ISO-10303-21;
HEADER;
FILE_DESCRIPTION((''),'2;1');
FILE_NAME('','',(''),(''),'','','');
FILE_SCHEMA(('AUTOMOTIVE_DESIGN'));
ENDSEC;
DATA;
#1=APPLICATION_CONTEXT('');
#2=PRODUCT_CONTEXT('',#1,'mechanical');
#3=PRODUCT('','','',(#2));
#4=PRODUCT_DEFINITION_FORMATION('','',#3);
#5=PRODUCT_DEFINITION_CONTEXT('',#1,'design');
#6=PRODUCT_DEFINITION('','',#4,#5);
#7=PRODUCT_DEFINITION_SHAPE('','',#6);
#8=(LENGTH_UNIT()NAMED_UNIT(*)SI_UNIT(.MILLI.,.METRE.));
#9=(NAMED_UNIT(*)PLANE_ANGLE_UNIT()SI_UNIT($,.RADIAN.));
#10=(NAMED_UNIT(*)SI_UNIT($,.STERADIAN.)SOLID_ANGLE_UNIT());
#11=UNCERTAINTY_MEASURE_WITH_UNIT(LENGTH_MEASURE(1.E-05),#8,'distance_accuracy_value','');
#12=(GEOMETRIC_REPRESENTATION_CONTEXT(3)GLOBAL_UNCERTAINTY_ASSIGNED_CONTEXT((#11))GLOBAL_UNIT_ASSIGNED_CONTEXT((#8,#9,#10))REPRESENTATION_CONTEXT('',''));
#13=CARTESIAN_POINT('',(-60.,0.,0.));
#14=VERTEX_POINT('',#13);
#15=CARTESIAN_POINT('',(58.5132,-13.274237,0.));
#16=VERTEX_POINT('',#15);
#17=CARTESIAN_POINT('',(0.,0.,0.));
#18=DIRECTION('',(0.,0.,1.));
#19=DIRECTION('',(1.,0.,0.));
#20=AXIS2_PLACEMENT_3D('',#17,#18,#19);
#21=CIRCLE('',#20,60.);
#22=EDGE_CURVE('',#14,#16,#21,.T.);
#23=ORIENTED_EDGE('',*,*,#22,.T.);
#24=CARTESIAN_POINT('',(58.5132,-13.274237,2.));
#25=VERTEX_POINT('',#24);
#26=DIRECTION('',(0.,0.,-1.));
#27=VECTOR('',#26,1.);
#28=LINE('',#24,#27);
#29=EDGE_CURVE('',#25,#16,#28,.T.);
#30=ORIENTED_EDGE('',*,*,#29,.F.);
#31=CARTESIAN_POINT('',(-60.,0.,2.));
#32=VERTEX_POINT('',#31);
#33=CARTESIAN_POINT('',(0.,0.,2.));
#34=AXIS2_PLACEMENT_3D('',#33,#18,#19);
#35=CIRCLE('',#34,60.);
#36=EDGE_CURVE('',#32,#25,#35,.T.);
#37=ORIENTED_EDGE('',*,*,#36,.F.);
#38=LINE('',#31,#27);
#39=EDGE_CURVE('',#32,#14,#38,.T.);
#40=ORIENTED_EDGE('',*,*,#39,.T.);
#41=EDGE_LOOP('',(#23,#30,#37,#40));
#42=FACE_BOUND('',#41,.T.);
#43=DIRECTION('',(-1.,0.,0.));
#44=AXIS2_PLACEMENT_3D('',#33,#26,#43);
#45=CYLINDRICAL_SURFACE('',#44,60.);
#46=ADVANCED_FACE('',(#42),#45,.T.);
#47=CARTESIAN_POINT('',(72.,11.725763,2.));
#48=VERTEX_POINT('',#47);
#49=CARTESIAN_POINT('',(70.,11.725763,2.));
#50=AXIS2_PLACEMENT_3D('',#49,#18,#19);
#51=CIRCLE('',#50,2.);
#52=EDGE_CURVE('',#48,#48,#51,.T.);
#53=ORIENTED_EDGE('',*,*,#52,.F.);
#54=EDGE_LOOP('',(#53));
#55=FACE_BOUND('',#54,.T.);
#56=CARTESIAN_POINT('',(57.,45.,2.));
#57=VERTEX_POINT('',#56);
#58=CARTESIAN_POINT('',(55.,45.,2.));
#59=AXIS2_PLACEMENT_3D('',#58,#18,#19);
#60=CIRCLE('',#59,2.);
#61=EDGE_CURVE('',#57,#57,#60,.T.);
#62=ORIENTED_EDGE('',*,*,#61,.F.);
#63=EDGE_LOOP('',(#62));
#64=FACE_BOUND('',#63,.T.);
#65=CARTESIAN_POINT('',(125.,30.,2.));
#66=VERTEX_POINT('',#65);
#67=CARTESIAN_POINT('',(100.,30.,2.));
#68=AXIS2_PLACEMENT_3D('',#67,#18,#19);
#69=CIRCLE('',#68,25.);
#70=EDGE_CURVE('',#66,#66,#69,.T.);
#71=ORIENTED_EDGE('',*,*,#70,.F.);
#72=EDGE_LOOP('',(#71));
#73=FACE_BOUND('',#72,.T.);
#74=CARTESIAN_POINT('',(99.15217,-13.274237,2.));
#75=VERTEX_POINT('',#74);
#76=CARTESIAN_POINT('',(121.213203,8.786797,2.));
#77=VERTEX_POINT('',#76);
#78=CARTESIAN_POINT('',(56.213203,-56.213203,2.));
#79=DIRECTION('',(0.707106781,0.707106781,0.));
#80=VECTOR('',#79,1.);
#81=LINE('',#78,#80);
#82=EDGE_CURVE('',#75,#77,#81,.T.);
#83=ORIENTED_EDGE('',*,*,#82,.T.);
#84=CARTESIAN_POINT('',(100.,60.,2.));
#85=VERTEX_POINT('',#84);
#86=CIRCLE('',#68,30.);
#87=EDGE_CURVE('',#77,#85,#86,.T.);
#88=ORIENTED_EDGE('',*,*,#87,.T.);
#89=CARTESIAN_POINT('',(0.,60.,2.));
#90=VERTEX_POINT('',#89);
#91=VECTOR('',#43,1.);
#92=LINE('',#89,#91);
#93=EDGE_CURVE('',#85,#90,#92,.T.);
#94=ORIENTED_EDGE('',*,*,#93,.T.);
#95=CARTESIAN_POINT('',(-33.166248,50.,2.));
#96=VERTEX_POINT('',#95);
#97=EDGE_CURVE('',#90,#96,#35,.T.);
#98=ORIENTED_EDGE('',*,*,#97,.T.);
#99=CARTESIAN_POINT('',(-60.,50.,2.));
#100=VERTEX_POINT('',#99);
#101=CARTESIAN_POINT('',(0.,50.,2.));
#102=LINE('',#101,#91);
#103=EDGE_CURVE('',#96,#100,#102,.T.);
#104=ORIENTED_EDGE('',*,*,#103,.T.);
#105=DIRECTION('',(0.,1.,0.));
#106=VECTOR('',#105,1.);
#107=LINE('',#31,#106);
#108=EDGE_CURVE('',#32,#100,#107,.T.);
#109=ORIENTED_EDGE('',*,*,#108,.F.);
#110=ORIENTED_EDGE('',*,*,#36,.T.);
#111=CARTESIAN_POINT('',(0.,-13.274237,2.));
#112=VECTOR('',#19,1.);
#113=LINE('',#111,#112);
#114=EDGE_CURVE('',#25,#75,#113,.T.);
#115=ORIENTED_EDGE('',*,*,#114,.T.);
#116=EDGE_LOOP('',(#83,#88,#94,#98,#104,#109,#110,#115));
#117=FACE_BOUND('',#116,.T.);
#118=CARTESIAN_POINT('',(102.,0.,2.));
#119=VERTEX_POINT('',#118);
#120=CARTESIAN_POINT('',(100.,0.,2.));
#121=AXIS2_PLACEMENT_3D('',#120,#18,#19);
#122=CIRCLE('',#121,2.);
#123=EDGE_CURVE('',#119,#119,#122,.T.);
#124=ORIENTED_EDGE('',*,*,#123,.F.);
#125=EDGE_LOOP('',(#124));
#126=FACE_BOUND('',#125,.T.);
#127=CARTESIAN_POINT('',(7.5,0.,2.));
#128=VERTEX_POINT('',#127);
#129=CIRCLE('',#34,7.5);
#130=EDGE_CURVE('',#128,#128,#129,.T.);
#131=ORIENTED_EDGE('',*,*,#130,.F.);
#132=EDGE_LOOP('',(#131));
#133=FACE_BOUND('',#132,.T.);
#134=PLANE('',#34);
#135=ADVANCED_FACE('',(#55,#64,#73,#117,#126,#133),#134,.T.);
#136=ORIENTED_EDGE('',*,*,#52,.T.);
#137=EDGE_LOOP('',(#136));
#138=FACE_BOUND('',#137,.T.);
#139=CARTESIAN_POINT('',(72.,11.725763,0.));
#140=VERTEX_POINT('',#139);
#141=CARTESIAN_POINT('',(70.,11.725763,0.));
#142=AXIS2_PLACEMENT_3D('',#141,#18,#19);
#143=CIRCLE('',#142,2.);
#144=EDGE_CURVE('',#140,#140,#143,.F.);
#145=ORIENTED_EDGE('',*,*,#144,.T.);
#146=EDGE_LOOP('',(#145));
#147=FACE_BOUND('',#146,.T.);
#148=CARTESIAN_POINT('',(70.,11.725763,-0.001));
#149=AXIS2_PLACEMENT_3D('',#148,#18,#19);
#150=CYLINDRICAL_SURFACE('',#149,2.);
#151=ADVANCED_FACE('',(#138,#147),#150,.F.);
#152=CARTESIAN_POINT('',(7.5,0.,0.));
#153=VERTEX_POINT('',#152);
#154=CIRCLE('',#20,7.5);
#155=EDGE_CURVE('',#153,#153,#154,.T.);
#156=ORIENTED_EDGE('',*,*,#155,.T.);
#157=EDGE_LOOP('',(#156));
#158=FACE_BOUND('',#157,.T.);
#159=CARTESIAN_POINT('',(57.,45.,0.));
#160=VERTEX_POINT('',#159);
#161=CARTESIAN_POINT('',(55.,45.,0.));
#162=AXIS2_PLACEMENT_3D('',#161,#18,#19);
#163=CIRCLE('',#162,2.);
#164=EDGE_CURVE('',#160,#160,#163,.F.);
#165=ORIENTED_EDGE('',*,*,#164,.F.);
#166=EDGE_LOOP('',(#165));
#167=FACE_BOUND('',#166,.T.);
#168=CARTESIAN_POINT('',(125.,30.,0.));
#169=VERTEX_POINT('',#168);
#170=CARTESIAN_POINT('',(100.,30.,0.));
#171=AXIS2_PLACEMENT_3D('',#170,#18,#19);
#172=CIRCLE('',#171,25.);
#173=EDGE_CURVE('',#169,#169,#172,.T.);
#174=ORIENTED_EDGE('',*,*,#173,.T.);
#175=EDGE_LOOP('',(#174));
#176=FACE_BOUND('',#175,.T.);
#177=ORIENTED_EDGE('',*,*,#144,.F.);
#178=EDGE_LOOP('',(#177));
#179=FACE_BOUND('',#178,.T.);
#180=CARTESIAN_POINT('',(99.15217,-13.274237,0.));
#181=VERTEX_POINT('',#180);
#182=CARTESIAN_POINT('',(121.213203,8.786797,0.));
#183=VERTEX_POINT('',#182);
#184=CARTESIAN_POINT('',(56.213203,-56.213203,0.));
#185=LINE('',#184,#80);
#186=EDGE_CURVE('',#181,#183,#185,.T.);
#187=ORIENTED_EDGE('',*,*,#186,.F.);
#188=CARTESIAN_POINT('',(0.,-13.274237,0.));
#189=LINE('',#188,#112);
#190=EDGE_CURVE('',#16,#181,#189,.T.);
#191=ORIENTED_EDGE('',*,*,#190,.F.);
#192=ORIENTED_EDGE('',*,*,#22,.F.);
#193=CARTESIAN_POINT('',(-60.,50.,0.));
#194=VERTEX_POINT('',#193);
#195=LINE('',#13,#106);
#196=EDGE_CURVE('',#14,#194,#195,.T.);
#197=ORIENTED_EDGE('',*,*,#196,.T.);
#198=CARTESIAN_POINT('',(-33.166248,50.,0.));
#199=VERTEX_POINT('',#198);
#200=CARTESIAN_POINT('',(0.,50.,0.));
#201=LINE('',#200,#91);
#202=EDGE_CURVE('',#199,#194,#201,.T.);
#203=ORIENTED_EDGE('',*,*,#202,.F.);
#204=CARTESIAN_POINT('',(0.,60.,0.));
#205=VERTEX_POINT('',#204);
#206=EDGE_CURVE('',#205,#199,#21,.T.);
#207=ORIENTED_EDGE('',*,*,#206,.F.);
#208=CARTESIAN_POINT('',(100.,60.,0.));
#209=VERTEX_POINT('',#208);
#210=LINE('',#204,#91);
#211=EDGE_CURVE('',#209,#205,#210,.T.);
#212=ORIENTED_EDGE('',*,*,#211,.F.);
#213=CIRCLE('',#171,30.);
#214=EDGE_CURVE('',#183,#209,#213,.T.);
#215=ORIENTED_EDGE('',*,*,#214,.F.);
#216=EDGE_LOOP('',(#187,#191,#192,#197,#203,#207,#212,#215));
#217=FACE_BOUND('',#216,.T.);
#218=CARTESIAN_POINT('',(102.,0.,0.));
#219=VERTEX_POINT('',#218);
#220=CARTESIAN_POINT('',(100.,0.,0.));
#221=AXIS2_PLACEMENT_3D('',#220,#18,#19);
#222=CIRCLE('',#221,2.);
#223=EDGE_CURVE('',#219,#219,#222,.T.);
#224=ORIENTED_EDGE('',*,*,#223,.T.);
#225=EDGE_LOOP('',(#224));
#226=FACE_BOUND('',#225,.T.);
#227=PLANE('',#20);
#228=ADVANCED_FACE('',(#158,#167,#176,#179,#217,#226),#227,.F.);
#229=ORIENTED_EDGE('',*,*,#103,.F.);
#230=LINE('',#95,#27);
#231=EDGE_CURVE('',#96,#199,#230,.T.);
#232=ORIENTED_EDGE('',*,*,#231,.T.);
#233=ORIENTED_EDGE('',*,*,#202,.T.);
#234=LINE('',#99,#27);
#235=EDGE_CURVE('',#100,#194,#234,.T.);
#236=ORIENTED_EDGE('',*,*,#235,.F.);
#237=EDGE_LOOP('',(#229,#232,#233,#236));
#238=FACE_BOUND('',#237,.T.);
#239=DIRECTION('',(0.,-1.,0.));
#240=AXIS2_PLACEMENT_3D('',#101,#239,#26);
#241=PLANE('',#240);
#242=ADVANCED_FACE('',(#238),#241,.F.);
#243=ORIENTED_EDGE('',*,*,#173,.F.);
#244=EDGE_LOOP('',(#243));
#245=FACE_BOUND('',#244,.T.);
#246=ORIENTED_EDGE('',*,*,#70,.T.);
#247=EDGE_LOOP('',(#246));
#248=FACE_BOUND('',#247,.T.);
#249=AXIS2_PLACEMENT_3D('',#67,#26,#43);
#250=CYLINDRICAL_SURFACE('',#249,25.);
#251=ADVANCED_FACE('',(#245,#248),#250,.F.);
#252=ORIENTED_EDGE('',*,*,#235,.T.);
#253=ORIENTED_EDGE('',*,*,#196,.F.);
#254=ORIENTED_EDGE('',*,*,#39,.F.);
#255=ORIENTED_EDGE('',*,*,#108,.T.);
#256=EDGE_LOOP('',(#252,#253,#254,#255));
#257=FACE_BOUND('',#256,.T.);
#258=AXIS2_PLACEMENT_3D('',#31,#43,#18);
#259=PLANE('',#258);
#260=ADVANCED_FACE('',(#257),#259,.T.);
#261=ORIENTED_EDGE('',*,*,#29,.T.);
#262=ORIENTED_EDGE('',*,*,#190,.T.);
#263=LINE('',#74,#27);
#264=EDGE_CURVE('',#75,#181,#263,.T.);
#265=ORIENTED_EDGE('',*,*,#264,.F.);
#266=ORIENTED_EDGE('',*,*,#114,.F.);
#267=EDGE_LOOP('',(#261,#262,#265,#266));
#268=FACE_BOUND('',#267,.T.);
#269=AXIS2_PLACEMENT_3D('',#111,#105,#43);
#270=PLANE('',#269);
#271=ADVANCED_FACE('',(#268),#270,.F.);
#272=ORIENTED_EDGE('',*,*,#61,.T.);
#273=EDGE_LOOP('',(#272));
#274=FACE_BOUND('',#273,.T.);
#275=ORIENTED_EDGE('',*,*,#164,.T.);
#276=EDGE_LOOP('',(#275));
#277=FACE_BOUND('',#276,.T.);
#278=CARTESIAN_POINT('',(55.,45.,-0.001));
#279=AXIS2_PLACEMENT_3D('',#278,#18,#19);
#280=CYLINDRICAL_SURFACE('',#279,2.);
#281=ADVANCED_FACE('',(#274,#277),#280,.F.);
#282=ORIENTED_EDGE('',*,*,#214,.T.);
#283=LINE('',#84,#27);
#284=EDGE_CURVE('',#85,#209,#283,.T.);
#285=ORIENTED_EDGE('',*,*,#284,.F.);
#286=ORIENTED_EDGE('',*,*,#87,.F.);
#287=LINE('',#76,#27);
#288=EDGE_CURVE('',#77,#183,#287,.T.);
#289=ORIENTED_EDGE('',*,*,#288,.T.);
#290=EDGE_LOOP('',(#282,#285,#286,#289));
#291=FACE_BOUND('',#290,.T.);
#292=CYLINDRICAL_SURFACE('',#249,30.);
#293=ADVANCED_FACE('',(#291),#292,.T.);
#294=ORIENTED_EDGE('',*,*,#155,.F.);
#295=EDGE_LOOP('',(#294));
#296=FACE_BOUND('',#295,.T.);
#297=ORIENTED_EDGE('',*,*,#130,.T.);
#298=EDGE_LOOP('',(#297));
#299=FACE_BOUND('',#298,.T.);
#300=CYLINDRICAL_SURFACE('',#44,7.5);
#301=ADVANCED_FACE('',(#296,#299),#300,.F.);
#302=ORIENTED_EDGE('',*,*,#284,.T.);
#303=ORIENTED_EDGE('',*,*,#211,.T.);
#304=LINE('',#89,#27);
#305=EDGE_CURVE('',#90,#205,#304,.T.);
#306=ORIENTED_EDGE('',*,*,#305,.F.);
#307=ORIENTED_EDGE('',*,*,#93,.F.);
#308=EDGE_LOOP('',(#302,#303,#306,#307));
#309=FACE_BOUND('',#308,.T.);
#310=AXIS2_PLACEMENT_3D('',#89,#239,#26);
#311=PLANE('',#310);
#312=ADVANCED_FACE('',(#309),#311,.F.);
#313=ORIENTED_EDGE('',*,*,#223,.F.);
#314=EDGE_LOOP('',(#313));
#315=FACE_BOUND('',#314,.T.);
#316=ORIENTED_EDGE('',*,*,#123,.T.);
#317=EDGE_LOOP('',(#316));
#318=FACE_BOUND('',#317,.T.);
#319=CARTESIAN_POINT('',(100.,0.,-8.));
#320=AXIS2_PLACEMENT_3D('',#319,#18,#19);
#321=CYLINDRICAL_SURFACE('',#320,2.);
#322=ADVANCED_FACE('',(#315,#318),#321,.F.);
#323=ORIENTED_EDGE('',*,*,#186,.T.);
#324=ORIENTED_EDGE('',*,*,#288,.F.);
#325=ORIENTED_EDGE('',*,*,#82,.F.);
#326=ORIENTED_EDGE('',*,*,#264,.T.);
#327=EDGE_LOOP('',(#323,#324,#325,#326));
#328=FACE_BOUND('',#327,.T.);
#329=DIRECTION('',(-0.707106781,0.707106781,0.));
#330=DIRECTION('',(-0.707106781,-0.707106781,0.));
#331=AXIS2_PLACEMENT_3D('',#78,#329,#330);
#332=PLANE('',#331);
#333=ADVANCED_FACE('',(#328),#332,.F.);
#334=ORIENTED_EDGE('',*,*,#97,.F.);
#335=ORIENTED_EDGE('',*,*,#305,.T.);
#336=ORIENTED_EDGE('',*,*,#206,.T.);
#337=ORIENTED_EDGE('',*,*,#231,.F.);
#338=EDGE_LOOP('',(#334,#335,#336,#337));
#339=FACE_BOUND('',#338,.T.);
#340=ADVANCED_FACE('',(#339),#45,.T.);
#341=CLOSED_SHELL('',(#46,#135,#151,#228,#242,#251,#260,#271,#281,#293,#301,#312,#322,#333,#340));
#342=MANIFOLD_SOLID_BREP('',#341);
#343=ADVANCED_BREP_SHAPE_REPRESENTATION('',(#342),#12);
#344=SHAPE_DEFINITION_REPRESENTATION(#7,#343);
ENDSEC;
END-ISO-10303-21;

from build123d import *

# Parameters (mm, degrees)
SKETCH1_R           = 7.5
SKETCH1_R_2         = 25
BOSS_EXTRUDE1_DEPTH = 2
CUT_EXTRUDE1_REACH  = 145.192
SKETCH2_R           = 2
SKETCH3_R           = 2
CUT_EXTRUDE2_DEPTH  = 10


with BuildPart() as part:
    # Sketch1 → Boss-Extrude1 (new body)
    # profile 1 of 2: a face of its own
    with BuildSketch(Plane.XY):
        with BuildLine():
            ThreePointArc((-60, 0), (-52.867640737, 28.372743309), (-33.166247904, 50))
            Line((-33.166247904, 50), (-60, 50))
            Line((-60, 50), (-60, 0))
        make_face()
    # profile 2 of 2: a face of its own
    with BuildSketch(Plane.XY):
        with BuildLine():
            ThreePointArc((0, 60), (-17.320508076, 57.445626465), (-33.166247904, 50))
            ThreePointArc((-33.166247904, 50), (-52.867640737, 28.372743309), (-60, 0))
            ThreePointArc((-60, 0), (-6.678621673, -59.627141576), (58.513200418, -13.274237334))
            Line((58.513200418, -13.274237334), (99.152169538, -13.274237334))
            Line((99.152169538, -13.274237334), (121.213203436, 8.786796564))
            ThreePointArc((121.213203436, 8.786796564), (127.716385975, 41.480502971), (100, 60))
            Line((100, 60), (0, 60))
        make_face()
        Circle(SKETCH1_R, mode=Mode.SUBTRACT)
        with Locations((100, 30)):
            Circle(SKETCH1_R_2, mode=Mode.SUBTRACT)
    extrude(amount=BOSS_EXTRUDE1_DEPTH)

    # Sketch2 → Cut-Extrude1 (cut, up to next)
    with BuildSketch(Plane.XY.offset(2), mode=Mode.PRIVATE) as cut_extrude1_sk1:
        with Locations((55, 45)):
            Circle(SKETCH2_R)
    cut_extrude1_tool1 = extrude(cut_extrude1_sk1.sketch, amount=-CUT_EXTRUDE1_REACH, mode=Mode.PRIVATE) & part.part
    # Sketch2 → Cut-Extrude1 (cut, up to next)
    with BuildSketch(Plane.XY.offset(2), mode=Mode.PRIVATE) as cut_extrude1_sk2:
        with Locations((70, 11.725762666)):
            Circle(SKETCH2_R)
    cut_extrude1_tool2 = extrude(cut_extrude1_sk2.sketch, amount=-CUT_EXTRUDE1_REACH, mode=Mode.PRIVATE) & part.part
    add(cut_extrude1_tool1.solids().sort_by_distance((55, 45, 2))[0], mode=Mode.SUBTRACT)
    add(cut_extrude1_tool2.solids().sort_by_distance((70, 11.725763, 2))[0], mode=Mode.SUBTRACT)

    # Sketch3 → Cut-Extrude2 (cut)
    with BuildSketch(Plane.XY.offset(2)):
        with Locations((100, 0)):
            Circle(SKETCH3_R)
    extrude(amount=-CUT_EXTRUDE2_DEPTH, mode=Mode.SUBTRACT)


solid = part.part
